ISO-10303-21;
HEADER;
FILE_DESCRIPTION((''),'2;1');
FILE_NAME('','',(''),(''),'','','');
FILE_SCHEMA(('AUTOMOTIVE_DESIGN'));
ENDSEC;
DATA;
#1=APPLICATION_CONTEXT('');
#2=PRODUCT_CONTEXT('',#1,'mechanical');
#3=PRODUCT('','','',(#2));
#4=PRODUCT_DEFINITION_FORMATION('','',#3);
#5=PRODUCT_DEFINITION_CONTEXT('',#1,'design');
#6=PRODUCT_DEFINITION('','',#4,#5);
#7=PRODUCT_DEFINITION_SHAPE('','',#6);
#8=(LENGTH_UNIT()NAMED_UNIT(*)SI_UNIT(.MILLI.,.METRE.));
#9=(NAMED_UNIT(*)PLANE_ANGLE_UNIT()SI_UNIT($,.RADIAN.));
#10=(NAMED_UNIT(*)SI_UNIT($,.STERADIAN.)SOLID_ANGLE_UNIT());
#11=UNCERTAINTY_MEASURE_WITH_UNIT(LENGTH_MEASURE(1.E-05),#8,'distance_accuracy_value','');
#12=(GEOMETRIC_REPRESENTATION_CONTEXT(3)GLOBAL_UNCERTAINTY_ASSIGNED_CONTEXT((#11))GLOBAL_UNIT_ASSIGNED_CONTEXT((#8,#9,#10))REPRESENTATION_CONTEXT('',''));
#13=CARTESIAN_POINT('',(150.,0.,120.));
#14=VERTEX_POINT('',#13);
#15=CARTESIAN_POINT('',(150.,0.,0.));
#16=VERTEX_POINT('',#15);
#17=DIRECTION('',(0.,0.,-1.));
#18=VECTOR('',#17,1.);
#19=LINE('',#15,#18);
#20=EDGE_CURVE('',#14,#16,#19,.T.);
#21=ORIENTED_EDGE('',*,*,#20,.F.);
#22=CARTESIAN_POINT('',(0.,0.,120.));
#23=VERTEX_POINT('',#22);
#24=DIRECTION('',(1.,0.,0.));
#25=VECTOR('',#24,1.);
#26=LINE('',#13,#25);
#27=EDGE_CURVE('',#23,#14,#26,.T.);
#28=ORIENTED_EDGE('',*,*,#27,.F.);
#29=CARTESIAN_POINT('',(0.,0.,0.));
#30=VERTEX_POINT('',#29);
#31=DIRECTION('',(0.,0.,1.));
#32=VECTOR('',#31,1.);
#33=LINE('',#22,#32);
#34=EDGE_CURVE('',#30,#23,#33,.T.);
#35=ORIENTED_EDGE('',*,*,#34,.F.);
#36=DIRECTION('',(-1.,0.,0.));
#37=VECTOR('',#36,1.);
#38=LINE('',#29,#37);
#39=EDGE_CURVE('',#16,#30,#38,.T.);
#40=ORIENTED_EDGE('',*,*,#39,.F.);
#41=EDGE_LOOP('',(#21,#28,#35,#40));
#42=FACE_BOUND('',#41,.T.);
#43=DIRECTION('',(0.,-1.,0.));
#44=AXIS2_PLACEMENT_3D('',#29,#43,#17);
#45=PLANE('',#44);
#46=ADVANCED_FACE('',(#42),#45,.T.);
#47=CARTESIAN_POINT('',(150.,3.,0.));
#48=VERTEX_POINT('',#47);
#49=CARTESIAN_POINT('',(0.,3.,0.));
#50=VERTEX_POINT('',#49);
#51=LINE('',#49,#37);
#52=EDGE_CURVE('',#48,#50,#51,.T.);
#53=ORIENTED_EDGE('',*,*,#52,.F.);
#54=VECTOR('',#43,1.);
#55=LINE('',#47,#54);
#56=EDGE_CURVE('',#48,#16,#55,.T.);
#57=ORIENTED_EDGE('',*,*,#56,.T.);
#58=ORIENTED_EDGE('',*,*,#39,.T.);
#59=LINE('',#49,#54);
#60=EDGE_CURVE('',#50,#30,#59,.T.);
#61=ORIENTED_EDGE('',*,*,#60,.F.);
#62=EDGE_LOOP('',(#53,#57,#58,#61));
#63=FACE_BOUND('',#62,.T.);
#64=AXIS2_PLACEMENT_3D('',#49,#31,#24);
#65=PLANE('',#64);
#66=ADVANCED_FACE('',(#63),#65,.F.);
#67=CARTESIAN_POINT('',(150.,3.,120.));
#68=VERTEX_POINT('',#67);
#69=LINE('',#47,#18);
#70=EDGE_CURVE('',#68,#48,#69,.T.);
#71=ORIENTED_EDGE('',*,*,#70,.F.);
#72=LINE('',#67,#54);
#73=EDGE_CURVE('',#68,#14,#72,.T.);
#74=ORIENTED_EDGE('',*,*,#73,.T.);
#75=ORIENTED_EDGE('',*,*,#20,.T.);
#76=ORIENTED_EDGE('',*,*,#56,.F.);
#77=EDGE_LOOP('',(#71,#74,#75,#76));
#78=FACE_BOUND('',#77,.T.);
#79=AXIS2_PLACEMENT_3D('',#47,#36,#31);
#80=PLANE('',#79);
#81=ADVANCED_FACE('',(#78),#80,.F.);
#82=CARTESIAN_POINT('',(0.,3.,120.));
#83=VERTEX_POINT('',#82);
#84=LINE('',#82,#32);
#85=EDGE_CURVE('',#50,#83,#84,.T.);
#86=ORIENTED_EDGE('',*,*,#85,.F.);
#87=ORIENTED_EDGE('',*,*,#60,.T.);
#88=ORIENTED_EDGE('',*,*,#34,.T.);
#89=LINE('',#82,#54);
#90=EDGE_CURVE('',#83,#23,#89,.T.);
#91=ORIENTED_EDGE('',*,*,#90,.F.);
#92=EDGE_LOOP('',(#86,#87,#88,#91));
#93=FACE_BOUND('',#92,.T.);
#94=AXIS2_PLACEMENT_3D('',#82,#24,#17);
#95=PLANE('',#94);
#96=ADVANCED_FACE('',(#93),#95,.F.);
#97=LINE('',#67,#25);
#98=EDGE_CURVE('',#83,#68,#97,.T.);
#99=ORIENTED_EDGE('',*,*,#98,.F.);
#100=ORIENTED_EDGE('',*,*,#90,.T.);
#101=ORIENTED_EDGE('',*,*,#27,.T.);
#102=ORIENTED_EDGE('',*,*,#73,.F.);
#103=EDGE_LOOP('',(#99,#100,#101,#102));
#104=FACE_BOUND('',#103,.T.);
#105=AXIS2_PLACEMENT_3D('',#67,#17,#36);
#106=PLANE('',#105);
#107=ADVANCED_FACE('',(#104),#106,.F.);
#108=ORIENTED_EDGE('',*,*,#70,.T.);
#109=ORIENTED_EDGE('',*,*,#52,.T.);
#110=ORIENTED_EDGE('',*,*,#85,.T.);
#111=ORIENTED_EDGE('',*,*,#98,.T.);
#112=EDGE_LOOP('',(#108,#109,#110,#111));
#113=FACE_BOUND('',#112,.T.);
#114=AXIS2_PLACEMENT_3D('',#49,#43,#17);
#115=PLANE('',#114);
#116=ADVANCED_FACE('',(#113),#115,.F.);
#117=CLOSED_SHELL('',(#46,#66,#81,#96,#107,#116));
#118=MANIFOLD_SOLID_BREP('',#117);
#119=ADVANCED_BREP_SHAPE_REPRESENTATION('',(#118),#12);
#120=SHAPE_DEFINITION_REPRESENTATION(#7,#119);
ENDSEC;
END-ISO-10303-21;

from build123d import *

# Parameters (mm, degrees)
SKETCH_1_W      = 150
SKETCH_1_H      = 120
EXTRUDE_1_DEPTH = 3


with BuildPart() as part:
    # 草图1 → 凸台-拉伸1 (new body)
    with BuildSketch(Plane(origin=(0, 0, 0), x_dir=(1, 0, 0), z_dir=(0, 1, 0))):
        with Locations((75, -60)):
            Rectangle(SKETCH_1_W, SKETCH_1_H)
    extrude(amount=EXTRUDE_1_DEPTH)


solid = part.part
